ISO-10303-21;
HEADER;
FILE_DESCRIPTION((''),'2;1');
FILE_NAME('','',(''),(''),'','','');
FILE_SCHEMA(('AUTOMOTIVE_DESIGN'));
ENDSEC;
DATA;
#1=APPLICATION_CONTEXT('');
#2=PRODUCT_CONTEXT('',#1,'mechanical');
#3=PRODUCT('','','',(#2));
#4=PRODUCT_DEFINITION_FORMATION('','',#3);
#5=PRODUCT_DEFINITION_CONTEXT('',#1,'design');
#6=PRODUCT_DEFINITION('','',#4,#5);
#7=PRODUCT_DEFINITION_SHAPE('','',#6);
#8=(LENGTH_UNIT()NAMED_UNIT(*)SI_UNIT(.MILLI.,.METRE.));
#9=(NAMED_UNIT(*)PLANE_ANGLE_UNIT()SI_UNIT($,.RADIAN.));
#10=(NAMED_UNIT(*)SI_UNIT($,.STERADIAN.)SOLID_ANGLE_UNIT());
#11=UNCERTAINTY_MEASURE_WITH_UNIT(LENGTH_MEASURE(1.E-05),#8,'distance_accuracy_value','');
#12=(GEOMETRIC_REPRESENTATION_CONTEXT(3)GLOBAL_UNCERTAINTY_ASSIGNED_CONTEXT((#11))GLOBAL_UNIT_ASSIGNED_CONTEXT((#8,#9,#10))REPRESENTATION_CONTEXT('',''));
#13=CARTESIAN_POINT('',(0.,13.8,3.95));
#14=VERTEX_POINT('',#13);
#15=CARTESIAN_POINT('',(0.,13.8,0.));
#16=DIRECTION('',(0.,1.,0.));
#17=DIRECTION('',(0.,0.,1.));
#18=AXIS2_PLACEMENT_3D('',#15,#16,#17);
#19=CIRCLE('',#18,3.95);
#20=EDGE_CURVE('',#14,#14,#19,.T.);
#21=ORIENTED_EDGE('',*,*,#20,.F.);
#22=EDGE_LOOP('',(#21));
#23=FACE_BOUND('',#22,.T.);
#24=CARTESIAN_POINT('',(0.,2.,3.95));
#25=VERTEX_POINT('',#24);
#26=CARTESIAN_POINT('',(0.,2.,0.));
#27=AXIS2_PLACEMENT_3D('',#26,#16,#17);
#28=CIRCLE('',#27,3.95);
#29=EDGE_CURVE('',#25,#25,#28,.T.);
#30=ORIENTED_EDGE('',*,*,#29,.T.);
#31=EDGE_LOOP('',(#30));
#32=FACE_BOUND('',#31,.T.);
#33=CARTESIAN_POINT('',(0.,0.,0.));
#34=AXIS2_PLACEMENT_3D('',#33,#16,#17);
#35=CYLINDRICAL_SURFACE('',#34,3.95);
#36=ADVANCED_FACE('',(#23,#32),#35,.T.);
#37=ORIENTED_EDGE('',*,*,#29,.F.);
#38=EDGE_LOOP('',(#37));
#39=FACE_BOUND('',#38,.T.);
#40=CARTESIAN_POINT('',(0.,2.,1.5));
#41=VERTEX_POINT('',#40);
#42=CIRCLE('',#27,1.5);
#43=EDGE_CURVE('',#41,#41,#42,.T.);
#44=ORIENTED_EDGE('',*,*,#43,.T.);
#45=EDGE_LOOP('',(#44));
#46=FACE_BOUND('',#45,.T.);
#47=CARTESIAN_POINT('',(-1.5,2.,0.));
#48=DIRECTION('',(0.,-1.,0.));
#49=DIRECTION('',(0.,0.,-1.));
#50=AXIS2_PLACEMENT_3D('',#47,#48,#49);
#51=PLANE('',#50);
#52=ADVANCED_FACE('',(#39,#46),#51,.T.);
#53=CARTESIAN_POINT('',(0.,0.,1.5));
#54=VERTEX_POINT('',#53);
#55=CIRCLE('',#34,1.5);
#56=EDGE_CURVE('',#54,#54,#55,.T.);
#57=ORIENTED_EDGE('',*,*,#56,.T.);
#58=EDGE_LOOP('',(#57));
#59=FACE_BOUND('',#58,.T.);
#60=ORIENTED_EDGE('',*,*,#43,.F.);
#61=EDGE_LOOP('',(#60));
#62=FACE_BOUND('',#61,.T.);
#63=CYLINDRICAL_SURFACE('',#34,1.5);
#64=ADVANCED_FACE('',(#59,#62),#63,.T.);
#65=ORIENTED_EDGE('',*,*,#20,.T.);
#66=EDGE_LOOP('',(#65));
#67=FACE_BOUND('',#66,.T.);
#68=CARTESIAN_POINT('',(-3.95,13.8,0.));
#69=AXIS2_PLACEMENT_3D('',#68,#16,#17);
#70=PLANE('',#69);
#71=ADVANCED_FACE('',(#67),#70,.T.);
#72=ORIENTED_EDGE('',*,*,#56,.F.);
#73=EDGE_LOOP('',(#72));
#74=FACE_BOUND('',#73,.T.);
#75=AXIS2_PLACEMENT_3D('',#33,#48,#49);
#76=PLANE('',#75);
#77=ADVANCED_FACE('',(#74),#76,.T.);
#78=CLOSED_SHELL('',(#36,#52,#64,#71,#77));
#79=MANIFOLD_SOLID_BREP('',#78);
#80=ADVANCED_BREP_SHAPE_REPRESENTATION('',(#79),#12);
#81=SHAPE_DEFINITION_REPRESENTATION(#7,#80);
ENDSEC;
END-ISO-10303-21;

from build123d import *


with BuildPart() as part:
    # Sketch1 → Revolve1 (revolve)
    with BuildSketch(Plane.XY):
        Polygon((0, 0), (-1.5, 0), (-1.5, 2), (-3.95, 2), (-3.95, 13.8), (0, 13.8), align=None)
    revolve(axis=Axis((0, 0, 0), (0, -1, 0)))


solid = part.part
